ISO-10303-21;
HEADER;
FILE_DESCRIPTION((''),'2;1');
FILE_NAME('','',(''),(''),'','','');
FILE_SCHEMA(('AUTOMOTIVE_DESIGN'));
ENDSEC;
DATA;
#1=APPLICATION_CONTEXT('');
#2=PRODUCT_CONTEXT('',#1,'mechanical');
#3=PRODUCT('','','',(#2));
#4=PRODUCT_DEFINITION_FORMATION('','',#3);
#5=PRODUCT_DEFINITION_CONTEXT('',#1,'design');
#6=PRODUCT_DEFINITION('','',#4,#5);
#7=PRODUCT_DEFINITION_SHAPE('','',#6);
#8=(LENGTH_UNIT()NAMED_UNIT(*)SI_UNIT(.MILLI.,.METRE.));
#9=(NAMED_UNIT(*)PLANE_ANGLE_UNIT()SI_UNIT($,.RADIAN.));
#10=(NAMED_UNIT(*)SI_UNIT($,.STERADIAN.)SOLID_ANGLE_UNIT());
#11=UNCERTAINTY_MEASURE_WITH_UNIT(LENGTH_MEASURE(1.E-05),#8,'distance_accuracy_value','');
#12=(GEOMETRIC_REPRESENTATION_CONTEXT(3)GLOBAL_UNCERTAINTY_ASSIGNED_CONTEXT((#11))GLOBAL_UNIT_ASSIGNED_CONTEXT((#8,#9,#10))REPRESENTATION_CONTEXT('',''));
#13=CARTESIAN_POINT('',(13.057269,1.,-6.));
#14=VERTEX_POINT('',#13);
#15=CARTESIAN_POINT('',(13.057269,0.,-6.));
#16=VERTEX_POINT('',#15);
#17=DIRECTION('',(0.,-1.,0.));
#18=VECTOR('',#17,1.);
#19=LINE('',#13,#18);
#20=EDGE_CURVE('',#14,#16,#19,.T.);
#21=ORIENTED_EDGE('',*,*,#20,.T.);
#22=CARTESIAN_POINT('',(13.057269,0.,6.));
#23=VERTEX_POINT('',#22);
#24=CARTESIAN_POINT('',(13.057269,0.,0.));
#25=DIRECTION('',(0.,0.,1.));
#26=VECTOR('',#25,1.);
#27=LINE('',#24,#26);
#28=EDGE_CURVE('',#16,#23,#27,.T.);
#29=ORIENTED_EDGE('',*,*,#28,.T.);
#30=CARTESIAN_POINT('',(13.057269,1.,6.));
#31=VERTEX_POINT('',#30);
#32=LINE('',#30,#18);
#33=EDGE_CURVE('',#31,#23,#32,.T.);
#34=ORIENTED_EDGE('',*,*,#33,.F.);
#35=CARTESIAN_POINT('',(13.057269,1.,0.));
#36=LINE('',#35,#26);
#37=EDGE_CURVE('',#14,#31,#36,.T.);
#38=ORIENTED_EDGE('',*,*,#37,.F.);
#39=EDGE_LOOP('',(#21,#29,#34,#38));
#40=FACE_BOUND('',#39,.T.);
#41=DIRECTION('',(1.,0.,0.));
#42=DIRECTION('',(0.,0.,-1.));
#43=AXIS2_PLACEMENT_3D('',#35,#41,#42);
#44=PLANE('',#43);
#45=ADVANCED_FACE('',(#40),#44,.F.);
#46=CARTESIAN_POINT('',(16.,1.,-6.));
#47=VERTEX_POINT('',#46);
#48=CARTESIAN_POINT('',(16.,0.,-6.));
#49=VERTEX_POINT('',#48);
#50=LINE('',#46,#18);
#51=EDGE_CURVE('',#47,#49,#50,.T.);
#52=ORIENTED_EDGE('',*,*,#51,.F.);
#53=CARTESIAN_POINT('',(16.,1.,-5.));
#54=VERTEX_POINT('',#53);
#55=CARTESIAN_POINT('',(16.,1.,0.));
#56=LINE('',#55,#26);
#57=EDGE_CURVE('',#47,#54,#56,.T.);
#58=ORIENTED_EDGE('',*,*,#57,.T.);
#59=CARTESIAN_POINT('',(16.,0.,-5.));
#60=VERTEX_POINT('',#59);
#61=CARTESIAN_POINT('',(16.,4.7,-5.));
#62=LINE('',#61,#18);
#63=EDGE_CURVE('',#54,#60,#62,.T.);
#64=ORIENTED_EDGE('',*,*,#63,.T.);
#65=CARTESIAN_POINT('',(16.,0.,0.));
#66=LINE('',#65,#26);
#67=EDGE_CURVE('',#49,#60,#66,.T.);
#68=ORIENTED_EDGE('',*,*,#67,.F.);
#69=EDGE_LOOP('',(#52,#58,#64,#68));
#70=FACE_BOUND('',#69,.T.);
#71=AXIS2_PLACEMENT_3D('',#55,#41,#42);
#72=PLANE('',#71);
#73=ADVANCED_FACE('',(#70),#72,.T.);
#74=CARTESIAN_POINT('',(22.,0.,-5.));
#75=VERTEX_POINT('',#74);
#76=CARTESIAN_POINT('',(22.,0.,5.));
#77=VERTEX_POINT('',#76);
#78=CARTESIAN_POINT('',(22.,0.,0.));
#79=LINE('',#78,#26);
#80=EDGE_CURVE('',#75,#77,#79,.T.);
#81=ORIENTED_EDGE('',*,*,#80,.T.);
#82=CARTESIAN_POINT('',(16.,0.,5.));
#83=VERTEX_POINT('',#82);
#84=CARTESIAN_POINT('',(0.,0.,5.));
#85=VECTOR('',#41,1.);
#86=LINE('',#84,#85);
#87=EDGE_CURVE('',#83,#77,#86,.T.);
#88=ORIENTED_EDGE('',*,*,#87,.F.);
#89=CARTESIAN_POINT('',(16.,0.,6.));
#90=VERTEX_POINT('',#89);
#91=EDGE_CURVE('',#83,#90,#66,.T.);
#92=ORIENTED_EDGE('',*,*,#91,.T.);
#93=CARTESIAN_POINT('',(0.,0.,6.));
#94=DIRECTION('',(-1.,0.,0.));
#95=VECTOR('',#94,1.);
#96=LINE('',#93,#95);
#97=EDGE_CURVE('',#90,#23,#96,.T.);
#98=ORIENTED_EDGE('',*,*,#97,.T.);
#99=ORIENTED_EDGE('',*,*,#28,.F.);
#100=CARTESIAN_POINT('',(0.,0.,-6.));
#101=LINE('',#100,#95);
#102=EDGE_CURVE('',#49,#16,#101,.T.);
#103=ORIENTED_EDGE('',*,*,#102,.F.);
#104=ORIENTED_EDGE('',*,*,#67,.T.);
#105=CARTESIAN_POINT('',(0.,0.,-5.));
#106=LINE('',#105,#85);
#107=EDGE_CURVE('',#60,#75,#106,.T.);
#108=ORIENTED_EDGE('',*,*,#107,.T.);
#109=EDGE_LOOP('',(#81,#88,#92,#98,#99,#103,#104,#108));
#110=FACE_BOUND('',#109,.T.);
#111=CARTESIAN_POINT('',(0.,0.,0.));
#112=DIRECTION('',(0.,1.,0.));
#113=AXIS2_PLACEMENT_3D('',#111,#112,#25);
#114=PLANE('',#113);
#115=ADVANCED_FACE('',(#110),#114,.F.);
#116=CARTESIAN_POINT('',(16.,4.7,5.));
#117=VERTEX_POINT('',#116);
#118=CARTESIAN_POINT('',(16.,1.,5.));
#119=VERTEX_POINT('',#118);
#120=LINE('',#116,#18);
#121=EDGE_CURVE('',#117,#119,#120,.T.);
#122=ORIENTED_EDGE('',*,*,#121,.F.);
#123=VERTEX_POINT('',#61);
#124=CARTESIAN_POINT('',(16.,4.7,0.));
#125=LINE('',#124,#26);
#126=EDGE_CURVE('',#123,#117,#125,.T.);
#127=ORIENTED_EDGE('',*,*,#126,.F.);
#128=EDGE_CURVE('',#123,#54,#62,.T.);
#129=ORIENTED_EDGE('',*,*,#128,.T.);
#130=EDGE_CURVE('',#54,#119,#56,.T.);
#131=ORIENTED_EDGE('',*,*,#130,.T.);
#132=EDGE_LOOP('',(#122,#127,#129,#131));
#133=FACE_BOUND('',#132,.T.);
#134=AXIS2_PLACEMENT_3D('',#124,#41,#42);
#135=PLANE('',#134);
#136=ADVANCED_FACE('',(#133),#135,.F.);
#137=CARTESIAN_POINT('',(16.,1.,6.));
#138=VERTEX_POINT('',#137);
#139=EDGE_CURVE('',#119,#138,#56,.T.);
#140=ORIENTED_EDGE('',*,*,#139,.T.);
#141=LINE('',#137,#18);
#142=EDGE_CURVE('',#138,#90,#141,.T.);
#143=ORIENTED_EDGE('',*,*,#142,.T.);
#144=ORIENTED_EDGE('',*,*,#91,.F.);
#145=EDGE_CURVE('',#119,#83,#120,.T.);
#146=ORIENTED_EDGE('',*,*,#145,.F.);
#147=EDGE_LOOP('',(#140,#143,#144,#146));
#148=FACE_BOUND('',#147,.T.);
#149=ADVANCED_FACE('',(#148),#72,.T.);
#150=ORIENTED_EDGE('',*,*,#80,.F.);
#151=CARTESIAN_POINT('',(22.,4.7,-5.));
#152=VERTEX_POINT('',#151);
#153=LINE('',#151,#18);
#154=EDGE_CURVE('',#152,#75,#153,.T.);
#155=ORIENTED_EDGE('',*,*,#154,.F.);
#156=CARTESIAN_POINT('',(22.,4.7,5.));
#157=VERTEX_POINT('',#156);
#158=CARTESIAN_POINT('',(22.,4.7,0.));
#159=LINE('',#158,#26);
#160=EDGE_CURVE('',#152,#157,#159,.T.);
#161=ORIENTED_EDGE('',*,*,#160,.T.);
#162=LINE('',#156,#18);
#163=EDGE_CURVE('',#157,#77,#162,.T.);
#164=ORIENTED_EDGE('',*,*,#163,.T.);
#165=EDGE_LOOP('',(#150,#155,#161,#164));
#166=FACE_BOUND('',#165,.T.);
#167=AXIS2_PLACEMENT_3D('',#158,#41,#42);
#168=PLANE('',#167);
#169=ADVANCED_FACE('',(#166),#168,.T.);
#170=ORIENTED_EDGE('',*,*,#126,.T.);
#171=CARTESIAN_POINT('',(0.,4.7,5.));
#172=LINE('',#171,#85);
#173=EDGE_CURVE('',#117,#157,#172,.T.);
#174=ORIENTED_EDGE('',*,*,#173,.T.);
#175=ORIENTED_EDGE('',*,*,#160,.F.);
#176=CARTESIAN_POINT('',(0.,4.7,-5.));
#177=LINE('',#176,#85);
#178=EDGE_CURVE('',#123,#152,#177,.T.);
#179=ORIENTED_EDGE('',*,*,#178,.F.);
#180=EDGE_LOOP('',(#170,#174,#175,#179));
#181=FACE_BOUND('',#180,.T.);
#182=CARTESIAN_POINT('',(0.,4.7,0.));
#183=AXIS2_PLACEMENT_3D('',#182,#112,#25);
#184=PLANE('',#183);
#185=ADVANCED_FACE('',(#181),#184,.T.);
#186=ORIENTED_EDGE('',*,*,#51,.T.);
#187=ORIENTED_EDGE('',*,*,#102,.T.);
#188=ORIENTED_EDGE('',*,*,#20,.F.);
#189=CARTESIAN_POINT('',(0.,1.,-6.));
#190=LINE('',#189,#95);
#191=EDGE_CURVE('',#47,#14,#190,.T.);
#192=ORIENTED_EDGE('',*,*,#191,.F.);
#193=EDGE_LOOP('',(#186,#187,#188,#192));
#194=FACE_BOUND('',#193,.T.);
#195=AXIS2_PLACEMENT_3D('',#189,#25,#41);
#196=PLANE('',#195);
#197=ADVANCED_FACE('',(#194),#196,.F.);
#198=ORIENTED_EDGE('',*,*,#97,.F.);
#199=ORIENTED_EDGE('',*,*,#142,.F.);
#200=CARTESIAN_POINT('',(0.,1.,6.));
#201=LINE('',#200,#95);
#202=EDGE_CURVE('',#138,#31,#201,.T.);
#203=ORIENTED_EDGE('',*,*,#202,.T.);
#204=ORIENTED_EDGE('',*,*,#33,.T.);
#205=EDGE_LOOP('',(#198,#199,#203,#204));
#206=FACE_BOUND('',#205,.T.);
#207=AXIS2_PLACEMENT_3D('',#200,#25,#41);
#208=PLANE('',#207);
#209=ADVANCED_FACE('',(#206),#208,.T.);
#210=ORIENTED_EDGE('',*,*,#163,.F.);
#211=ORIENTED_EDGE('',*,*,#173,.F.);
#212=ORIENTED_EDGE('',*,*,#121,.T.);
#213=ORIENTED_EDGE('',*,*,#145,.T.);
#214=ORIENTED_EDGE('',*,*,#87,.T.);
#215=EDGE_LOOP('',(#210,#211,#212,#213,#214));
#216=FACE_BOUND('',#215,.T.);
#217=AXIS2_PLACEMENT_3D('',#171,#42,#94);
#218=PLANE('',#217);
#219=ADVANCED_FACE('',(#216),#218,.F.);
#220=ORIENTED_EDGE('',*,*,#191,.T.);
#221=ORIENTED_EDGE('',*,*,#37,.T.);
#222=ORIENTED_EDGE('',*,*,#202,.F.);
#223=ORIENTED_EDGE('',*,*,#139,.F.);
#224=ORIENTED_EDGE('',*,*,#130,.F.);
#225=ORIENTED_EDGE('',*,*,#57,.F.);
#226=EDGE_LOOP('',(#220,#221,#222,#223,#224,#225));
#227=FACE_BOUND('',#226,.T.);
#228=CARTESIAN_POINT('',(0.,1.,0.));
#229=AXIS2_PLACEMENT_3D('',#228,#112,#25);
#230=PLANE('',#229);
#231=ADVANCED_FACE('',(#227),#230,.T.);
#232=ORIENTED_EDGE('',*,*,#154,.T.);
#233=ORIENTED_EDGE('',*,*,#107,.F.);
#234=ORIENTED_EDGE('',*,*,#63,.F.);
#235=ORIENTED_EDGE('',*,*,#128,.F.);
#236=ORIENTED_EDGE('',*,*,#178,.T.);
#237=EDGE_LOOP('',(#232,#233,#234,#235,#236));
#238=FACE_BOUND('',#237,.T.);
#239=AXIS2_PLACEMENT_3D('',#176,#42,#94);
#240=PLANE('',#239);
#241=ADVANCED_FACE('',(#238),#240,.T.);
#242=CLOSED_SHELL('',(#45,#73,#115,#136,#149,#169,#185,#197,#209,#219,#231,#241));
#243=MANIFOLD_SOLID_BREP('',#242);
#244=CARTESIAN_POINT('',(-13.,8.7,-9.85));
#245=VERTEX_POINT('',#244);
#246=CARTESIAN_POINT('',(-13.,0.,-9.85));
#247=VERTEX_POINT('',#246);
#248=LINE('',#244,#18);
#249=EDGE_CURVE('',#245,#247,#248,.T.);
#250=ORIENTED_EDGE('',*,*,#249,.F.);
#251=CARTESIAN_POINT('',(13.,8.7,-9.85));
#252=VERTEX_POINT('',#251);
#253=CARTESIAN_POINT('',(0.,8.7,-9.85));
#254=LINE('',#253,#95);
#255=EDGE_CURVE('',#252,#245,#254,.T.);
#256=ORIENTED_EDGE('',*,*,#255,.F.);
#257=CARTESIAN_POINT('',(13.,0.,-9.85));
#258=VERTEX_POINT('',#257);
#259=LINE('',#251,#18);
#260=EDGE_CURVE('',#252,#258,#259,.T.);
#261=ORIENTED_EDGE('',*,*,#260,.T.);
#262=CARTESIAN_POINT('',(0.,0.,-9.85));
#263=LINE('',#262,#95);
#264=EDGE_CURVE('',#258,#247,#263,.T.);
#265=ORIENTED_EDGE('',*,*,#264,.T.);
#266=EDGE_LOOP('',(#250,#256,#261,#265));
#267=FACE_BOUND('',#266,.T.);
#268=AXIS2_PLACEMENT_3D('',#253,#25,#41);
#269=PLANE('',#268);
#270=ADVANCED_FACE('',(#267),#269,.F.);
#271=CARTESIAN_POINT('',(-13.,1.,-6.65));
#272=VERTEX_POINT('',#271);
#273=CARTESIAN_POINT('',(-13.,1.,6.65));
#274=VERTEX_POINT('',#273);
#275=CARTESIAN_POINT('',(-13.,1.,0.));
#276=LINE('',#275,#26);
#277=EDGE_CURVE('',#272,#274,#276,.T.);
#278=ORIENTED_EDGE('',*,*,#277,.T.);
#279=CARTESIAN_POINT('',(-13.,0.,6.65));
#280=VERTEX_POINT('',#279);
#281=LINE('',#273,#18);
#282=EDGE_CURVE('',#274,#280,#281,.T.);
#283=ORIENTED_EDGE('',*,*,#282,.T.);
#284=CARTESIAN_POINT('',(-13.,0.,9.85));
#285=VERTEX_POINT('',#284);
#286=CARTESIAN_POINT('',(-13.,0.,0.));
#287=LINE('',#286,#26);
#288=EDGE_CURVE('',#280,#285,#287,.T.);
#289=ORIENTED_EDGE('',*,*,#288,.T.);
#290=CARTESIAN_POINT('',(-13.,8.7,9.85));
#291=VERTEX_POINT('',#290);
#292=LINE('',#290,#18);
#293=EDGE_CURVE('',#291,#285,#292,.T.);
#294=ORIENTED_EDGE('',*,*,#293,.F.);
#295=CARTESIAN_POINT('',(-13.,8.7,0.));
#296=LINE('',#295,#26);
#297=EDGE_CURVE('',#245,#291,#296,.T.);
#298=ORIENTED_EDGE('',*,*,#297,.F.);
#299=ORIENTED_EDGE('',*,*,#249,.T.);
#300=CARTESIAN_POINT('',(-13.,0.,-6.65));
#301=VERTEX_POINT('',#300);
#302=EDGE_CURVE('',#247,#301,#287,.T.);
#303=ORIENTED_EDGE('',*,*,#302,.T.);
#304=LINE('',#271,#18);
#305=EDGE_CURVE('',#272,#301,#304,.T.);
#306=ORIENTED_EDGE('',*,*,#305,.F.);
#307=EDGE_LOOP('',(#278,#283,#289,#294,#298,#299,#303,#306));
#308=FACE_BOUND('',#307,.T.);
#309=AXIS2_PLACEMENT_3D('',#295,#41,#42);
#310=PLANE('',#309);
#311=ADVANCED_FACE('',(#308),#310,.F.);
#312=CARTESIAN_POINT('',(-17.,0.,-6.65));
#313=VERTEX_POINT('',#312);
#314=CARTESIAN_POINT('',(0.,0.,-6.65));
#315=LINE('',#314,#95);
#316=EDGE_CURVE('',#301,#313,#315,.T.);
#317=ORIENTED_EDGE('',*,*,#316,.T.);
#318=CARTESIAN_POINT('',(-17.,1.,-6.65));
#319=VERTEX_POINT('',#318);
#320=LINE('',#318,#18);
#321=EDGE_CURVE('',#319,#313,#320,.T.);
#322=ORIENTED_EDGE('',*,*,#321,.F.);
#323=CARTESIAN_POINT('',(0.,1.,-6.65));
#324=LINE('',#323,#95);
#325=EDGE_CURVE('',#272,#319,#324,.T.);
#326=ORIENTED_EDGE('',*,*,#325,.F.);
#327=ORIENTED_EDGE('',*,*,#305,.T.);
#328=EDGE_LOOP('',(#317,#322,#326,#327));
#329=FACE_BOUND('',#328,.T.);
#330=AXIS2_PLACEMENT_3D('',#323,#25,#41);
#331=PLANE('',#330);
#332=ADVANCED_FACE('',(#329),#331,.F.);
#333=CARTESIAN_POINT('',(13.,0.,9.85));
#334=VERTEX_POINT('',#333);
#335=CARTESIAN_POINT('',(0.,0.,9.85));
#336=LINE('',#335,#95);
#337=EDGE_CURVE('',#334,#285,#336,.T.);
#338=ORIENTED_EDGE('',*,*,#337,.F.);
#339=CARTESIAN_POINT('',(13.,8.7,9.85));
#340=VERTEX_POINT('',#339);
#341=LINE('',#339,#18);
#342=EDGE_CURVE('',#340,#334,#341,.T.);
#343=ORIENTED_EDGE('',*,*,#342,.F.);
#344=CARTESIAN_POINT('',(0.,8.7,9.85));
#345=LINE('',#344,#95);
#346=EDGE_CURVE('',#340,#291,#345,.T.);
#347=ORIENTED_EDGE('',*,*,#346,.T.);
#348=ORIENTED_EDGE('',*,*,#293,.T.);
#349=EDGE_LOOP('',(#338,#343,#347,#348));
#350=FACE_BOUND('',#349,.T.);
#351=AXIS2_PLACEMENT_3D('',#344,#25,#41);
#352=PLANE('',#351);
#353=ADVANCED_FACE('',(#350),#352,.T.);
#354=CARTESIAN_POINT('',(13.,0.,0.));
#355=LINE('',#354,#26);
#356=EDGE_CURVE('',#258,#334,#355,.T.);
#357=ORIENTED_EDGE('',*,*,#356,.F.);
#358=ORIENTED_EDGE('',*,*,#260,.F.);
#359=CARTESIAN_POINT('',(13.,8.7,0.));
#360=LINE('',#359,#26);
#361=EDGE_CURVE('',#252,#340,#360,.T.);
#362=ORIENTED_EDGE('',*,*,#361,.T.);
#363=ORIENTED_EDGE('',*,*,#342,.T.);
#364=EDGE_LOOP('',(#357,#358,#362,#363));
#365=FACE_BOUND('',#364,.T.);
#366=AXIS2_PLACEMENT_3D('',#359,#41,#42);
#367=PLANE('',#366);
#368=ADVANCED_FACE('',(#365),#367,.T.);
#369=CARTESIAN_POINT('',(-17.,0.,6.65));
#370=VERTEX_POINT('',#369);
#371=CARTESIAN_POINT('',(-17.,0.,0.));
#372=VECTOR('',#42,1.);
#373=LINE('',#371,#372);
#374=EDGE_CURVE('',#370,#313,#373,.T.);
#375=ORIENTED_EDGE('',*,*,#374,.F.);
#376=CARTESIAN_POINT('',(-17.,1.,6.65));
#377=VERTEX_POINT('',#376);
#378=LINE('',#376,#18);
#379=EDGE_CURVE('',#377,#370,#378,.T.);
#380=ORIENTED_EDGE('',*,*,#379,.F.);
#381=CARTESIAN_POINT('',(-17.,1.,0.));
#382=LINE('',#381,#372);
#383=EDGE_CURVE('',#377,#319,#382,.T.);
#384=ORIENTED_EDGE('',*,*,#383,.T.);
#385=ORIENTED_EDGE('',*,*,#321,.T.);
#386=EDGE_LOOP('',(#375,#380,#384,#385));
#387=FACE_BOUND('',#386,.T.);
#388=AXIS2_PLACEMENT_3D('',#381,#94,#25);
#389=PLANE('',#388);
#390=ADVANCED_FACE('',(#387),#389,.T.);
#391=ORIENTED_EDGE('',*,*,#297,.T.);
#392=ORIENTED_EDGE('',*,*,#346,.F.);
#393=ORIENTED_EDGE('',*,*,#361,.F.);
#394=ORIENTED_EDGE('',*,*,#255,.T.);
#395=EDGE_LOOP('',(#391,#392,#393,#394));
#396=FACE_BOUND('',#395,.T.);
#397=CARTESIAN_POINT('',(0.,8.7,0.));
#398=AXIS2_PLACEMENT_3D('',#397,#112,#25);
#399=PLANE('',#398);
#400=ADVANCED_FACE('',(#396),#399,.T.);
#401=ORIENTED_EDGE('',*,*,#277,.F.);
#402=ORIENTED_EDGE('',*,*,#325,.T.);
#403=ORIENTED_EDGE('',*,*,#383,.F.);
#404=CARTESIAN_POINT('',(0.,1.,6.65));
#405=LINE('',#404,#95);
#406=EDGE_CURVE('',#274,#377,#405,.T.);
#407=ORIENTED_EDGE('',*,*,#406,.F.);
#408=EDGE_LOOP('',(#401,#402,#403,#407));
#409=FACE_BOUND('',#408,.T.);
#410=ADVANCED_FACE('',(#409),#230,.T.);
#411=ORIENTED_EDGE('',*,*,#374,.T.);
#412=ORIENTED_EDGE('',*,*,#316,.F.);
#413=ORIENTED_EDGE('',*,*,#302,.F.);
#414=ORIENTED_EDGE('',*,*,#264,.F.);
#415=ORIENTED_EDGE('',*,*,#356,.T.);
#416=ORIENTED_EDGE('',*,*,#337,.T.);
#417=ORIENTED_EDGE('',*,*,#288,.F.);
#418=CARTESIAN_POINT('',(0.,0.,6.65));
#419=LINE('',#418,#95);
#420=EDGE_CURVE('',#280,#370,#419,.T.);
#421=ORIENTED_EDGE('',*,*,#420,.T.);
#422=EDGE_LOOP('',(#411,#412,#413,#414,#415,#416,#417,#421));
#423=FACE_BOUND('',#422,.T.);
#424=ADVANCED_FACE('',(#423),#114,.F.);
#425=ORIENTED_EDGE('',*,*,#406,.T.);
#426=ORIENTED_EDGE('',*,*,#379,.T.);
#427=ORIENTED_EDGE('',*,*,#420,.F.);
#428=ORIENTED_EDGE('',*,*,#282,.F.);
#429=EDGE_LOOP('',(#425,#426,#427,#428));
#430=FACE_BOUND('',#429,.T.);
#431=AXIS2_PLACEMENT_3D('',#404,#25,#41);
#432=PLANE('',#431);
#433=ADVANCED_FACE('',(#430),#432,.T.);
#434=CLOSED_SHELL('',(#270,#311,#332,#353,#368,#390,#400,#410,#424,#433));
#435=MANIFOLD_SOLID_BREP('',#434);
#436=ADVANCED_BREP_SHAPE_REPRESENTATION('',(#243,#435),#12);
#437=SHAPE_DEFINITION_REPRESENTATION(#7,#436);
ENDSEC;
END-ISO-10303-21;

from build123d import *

# Parameters (mm, degrees)
SKETCH_1_W        = 4
SKETCH_1_H        = 13.3
EXTRUDE_1_DEPTH   = 1
SKETCH_1_W_2      = 2.942731278
SKETCH_1_H_2      = 12
EXTRUDE_1_2_DEPTH = 1
EXTRUDE_2_DEPTH   = 8.7
SKETCH_1_5_W      = 6
SKETCH_1_5_H      = 10
EXTRUDE_3_DEPTH   = 4.7


with BuildPart() as part:
    # Эскиз1 → Бобышка-Вытянуть1 (new body)
    with BuildSketch(Plane(origin=(0, 0, 0), x_dir=(1, 0, 0), z_dir=(0, 1, 0))):
        with Locations((-15, 0)):
            Rectangle(SKETCH_1_W, SKETCH_1_H)
    extrude(amount=EXTRUDE_1_DEPTH)

    # Эскиз1<4> → Бобышка-Вытянуть2 (add)
    with BuildSketch(Plane(origin=(0, 0, 0), x_dir=(1, 0, 0), z_dir=(0, 1, 0))):
        Polygon((13, 5), (13, 9.85), (-13, 9.85), (-13, 6.65), (-13, -6.65), (-13, -9.85), (13, -9.85), (13, -5), align=None)
    extrude(amount=EXTRUDE_2_DEPTH)


with BuildPart() as body_2:
    # Эскиз1 → Extrude 1 2 (new body)
    with BuildSketch(Plane(origin=(0, 0, 0), x_dir=(1, 0, 0), z_dir=(0, 1, 0))):
        with Locations((14.528634361, 0)):
            Rectangle(SKETCH_1_W_2, SKETCH_1_H_2)
    extrude(amount=EXTRUDE_1_2_DEPTH)

    # Эскиз1<5> → Бобышка-Вытянуть3 (add)
    with BuildSketch(Plane(origin=(0, 0, 0), x_dir=(1, 0, 0), z_dir=(0, 1, 0))):
        with Locations((19, 0)):
            Rectangle(SKETCH_1_5_W, SKETCH_1_5_H)
    extrude(amount=EXTRUDE_3_DEPTH)


solid = Compound([part.part, body_2.part])
